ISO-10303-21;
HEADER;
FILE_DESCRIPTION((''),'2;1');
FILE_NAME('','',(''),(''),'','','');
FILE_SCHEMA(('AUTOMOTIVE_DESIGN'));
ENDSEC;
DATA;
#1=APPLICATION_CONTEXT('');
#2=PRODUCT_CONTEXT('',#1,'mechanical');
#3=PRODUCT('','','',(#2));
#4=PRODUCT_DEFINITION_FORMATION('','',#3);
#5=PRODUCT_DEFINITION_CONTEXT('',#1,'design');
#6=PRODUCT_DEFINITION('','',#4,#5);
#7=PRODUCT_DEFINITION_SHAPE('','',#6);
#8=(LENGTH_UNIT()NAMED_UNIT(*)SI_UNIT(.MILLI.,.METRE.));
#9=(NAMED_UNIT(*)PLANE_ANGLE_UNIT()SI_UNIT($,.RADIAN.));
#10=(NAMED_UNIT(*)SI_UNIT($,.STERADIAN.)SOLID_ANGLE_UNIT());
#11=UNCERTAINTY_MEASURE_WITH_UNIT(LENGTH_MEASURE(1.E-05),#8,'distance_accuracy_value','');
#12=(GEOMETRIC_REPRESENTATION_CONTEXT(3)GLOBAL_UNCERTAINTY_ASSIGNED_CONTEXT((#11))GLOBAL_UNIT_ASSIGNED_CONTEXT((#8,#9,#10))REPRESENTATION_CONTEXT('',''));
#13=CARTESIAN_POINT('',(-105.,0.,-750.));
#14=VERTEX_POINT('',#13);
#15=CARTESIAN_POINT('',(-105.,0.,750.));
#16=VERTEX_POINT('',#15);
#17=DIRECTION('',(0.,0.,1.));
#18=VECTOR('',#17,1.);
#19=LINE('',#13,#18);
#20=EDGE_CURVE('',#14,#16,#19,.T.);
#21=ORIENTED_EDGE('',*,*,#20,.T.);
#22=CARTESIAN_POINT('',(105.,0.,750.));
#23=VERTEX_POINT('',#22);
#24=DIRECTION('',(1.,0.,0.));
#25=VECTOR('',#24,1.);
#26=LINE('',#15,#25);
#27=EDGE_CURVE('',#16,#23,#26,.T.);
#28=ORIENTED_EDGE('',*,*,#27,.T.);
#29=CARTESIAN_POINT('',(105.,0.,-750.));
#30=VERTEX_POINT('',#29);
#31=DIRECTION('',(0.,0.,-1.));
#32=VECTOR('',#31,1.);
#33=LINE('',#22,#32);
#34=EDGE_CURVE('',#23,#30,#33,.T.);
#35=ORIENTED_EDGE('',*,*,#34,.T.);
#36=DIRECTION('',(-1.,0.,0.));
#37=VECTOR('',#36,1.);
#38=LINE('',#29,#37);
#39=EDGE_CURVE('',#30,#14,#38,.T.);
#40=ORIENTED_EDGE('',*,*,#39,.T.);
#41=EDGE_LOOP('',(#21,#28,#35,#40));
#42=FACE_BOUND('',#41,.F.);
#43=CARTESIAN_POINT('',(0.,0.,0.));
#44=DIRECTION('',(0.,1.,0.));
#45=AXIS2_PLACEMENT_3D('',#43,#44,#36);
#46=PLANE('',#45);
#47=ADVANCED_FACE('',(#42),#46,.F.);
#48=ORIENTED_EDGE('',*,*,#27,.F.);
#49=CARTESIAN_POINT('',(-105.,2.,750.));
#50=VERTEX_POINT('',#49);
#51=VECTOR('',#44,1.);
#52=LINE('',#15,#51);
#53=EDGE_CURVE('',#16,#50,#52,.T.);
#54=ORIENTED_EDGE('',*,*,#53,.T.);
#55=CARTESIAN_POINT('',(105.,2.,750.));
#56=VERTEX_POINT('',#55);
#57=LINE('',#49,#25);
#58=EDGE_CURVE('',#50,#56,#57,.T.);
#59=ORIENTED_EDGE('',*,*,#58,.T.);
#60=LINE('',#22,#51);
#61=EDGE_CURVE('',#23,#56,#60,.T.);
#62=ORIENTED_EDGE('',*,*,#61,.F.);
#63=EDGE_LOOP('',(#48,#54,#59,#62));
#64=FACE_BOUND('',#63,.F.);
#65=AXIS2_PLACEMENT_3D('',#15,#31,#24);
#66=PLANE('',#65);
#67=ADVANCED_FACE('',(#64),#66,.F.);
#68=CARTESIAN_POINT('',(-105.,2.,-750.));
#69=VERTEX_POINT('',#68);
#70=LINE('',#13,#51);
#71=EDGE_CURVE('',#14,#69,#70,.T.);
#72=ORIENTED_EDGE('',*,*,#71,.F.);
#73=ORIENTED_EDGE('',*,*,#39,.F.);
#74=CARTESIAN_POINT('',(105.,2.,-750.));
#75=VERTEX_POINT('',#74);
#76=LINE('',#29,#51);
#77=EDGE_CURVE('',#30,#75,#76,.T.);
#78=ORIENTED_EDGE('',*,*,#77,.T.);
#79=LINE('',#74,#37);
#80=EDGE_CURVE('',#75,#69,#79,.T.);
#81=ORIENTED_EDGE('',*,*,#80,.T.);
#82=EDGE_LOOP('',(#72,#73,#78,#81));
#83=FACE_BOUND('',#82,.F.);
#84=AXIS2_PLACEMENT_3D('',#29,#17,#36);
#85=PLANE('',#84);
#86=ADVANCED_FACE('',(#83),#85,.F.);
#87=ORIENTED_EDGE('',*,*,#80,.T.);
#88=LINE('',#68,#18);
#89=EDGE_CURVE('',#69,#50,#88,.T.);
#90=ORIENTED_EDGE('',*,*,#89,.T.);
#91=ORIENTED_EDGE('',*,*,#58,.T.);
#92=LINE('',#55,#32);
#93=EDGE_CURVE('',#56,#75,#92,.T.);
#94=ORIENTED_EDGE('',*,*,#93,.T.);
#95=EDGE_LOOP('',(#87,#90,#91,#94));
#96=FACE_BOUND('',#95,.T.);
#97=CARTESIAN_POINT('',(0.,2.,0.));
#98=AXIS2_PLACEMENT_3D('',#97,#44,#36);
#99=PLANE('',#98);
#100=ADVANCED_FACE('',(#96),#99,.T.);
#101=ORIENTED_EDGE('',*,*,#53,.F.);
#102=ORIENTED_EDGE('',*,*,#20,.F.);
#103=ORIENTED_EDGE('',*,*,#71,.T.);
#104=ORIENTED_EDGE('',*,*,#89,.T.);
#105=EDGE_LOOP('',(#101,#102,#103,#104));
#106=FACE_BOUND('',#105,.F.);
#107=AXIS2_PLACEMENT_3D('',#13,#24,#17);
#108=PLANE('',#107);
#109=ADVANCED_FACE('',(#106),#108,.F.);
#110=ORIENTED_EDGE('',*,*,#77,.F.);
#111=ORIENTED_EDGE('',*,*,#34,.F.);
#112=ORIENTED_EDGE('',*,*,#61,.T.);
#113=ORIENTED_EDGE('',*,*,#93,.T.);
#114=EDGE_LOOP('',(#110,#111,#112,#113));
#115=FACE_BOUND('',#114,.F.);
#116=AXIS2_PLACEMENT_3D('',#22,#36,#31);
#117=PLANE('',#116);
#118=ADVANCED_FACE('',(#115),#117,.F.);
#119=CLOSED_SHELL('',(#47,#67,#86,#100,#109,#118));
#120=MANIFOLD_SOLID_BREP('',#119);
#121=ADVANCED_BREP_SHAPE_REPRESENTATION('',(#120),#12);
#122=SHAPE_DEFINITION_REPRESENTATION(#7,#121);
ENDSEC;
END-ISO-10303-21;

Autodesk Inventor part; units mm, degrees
ref_plane "YZ Plane" through (0, 0, 0) normal (1, 0, 0) x (0, 1, 0)
ref_plane "XZ Plane" through (0, 0, 0) normal (0, 1, 0) x (-1, 0, 0)
ref_plane "XY Plane" through (0, 0, 0) normal (0, 0, 1) x (1, 0, 0)
sketch "スケッチ1" plane through (0, 0, 0) normal (0, 1, 0) x (-1, 0, 0)
  line L0 (-105, -750) -> (105, -750)
  line L1 (105, -750) -> (105, 750)
  line L2 (105, 750) -> (-105, 750)
  line L3 (-105, 750) -> (-105, -750)
  line L4 (-105, -750) -> (105, 750) construction
  line L5 (105, -750) -> (-105, 750) construction
  point P0 (0, 0)
  dimension "d0" = 1500
  dimension "d1" = 210
extrude "押し出し1" add sketch "スケッチ1" along normal blind 2
properties part number "Panel_D" material "アルミニウム 6061"
